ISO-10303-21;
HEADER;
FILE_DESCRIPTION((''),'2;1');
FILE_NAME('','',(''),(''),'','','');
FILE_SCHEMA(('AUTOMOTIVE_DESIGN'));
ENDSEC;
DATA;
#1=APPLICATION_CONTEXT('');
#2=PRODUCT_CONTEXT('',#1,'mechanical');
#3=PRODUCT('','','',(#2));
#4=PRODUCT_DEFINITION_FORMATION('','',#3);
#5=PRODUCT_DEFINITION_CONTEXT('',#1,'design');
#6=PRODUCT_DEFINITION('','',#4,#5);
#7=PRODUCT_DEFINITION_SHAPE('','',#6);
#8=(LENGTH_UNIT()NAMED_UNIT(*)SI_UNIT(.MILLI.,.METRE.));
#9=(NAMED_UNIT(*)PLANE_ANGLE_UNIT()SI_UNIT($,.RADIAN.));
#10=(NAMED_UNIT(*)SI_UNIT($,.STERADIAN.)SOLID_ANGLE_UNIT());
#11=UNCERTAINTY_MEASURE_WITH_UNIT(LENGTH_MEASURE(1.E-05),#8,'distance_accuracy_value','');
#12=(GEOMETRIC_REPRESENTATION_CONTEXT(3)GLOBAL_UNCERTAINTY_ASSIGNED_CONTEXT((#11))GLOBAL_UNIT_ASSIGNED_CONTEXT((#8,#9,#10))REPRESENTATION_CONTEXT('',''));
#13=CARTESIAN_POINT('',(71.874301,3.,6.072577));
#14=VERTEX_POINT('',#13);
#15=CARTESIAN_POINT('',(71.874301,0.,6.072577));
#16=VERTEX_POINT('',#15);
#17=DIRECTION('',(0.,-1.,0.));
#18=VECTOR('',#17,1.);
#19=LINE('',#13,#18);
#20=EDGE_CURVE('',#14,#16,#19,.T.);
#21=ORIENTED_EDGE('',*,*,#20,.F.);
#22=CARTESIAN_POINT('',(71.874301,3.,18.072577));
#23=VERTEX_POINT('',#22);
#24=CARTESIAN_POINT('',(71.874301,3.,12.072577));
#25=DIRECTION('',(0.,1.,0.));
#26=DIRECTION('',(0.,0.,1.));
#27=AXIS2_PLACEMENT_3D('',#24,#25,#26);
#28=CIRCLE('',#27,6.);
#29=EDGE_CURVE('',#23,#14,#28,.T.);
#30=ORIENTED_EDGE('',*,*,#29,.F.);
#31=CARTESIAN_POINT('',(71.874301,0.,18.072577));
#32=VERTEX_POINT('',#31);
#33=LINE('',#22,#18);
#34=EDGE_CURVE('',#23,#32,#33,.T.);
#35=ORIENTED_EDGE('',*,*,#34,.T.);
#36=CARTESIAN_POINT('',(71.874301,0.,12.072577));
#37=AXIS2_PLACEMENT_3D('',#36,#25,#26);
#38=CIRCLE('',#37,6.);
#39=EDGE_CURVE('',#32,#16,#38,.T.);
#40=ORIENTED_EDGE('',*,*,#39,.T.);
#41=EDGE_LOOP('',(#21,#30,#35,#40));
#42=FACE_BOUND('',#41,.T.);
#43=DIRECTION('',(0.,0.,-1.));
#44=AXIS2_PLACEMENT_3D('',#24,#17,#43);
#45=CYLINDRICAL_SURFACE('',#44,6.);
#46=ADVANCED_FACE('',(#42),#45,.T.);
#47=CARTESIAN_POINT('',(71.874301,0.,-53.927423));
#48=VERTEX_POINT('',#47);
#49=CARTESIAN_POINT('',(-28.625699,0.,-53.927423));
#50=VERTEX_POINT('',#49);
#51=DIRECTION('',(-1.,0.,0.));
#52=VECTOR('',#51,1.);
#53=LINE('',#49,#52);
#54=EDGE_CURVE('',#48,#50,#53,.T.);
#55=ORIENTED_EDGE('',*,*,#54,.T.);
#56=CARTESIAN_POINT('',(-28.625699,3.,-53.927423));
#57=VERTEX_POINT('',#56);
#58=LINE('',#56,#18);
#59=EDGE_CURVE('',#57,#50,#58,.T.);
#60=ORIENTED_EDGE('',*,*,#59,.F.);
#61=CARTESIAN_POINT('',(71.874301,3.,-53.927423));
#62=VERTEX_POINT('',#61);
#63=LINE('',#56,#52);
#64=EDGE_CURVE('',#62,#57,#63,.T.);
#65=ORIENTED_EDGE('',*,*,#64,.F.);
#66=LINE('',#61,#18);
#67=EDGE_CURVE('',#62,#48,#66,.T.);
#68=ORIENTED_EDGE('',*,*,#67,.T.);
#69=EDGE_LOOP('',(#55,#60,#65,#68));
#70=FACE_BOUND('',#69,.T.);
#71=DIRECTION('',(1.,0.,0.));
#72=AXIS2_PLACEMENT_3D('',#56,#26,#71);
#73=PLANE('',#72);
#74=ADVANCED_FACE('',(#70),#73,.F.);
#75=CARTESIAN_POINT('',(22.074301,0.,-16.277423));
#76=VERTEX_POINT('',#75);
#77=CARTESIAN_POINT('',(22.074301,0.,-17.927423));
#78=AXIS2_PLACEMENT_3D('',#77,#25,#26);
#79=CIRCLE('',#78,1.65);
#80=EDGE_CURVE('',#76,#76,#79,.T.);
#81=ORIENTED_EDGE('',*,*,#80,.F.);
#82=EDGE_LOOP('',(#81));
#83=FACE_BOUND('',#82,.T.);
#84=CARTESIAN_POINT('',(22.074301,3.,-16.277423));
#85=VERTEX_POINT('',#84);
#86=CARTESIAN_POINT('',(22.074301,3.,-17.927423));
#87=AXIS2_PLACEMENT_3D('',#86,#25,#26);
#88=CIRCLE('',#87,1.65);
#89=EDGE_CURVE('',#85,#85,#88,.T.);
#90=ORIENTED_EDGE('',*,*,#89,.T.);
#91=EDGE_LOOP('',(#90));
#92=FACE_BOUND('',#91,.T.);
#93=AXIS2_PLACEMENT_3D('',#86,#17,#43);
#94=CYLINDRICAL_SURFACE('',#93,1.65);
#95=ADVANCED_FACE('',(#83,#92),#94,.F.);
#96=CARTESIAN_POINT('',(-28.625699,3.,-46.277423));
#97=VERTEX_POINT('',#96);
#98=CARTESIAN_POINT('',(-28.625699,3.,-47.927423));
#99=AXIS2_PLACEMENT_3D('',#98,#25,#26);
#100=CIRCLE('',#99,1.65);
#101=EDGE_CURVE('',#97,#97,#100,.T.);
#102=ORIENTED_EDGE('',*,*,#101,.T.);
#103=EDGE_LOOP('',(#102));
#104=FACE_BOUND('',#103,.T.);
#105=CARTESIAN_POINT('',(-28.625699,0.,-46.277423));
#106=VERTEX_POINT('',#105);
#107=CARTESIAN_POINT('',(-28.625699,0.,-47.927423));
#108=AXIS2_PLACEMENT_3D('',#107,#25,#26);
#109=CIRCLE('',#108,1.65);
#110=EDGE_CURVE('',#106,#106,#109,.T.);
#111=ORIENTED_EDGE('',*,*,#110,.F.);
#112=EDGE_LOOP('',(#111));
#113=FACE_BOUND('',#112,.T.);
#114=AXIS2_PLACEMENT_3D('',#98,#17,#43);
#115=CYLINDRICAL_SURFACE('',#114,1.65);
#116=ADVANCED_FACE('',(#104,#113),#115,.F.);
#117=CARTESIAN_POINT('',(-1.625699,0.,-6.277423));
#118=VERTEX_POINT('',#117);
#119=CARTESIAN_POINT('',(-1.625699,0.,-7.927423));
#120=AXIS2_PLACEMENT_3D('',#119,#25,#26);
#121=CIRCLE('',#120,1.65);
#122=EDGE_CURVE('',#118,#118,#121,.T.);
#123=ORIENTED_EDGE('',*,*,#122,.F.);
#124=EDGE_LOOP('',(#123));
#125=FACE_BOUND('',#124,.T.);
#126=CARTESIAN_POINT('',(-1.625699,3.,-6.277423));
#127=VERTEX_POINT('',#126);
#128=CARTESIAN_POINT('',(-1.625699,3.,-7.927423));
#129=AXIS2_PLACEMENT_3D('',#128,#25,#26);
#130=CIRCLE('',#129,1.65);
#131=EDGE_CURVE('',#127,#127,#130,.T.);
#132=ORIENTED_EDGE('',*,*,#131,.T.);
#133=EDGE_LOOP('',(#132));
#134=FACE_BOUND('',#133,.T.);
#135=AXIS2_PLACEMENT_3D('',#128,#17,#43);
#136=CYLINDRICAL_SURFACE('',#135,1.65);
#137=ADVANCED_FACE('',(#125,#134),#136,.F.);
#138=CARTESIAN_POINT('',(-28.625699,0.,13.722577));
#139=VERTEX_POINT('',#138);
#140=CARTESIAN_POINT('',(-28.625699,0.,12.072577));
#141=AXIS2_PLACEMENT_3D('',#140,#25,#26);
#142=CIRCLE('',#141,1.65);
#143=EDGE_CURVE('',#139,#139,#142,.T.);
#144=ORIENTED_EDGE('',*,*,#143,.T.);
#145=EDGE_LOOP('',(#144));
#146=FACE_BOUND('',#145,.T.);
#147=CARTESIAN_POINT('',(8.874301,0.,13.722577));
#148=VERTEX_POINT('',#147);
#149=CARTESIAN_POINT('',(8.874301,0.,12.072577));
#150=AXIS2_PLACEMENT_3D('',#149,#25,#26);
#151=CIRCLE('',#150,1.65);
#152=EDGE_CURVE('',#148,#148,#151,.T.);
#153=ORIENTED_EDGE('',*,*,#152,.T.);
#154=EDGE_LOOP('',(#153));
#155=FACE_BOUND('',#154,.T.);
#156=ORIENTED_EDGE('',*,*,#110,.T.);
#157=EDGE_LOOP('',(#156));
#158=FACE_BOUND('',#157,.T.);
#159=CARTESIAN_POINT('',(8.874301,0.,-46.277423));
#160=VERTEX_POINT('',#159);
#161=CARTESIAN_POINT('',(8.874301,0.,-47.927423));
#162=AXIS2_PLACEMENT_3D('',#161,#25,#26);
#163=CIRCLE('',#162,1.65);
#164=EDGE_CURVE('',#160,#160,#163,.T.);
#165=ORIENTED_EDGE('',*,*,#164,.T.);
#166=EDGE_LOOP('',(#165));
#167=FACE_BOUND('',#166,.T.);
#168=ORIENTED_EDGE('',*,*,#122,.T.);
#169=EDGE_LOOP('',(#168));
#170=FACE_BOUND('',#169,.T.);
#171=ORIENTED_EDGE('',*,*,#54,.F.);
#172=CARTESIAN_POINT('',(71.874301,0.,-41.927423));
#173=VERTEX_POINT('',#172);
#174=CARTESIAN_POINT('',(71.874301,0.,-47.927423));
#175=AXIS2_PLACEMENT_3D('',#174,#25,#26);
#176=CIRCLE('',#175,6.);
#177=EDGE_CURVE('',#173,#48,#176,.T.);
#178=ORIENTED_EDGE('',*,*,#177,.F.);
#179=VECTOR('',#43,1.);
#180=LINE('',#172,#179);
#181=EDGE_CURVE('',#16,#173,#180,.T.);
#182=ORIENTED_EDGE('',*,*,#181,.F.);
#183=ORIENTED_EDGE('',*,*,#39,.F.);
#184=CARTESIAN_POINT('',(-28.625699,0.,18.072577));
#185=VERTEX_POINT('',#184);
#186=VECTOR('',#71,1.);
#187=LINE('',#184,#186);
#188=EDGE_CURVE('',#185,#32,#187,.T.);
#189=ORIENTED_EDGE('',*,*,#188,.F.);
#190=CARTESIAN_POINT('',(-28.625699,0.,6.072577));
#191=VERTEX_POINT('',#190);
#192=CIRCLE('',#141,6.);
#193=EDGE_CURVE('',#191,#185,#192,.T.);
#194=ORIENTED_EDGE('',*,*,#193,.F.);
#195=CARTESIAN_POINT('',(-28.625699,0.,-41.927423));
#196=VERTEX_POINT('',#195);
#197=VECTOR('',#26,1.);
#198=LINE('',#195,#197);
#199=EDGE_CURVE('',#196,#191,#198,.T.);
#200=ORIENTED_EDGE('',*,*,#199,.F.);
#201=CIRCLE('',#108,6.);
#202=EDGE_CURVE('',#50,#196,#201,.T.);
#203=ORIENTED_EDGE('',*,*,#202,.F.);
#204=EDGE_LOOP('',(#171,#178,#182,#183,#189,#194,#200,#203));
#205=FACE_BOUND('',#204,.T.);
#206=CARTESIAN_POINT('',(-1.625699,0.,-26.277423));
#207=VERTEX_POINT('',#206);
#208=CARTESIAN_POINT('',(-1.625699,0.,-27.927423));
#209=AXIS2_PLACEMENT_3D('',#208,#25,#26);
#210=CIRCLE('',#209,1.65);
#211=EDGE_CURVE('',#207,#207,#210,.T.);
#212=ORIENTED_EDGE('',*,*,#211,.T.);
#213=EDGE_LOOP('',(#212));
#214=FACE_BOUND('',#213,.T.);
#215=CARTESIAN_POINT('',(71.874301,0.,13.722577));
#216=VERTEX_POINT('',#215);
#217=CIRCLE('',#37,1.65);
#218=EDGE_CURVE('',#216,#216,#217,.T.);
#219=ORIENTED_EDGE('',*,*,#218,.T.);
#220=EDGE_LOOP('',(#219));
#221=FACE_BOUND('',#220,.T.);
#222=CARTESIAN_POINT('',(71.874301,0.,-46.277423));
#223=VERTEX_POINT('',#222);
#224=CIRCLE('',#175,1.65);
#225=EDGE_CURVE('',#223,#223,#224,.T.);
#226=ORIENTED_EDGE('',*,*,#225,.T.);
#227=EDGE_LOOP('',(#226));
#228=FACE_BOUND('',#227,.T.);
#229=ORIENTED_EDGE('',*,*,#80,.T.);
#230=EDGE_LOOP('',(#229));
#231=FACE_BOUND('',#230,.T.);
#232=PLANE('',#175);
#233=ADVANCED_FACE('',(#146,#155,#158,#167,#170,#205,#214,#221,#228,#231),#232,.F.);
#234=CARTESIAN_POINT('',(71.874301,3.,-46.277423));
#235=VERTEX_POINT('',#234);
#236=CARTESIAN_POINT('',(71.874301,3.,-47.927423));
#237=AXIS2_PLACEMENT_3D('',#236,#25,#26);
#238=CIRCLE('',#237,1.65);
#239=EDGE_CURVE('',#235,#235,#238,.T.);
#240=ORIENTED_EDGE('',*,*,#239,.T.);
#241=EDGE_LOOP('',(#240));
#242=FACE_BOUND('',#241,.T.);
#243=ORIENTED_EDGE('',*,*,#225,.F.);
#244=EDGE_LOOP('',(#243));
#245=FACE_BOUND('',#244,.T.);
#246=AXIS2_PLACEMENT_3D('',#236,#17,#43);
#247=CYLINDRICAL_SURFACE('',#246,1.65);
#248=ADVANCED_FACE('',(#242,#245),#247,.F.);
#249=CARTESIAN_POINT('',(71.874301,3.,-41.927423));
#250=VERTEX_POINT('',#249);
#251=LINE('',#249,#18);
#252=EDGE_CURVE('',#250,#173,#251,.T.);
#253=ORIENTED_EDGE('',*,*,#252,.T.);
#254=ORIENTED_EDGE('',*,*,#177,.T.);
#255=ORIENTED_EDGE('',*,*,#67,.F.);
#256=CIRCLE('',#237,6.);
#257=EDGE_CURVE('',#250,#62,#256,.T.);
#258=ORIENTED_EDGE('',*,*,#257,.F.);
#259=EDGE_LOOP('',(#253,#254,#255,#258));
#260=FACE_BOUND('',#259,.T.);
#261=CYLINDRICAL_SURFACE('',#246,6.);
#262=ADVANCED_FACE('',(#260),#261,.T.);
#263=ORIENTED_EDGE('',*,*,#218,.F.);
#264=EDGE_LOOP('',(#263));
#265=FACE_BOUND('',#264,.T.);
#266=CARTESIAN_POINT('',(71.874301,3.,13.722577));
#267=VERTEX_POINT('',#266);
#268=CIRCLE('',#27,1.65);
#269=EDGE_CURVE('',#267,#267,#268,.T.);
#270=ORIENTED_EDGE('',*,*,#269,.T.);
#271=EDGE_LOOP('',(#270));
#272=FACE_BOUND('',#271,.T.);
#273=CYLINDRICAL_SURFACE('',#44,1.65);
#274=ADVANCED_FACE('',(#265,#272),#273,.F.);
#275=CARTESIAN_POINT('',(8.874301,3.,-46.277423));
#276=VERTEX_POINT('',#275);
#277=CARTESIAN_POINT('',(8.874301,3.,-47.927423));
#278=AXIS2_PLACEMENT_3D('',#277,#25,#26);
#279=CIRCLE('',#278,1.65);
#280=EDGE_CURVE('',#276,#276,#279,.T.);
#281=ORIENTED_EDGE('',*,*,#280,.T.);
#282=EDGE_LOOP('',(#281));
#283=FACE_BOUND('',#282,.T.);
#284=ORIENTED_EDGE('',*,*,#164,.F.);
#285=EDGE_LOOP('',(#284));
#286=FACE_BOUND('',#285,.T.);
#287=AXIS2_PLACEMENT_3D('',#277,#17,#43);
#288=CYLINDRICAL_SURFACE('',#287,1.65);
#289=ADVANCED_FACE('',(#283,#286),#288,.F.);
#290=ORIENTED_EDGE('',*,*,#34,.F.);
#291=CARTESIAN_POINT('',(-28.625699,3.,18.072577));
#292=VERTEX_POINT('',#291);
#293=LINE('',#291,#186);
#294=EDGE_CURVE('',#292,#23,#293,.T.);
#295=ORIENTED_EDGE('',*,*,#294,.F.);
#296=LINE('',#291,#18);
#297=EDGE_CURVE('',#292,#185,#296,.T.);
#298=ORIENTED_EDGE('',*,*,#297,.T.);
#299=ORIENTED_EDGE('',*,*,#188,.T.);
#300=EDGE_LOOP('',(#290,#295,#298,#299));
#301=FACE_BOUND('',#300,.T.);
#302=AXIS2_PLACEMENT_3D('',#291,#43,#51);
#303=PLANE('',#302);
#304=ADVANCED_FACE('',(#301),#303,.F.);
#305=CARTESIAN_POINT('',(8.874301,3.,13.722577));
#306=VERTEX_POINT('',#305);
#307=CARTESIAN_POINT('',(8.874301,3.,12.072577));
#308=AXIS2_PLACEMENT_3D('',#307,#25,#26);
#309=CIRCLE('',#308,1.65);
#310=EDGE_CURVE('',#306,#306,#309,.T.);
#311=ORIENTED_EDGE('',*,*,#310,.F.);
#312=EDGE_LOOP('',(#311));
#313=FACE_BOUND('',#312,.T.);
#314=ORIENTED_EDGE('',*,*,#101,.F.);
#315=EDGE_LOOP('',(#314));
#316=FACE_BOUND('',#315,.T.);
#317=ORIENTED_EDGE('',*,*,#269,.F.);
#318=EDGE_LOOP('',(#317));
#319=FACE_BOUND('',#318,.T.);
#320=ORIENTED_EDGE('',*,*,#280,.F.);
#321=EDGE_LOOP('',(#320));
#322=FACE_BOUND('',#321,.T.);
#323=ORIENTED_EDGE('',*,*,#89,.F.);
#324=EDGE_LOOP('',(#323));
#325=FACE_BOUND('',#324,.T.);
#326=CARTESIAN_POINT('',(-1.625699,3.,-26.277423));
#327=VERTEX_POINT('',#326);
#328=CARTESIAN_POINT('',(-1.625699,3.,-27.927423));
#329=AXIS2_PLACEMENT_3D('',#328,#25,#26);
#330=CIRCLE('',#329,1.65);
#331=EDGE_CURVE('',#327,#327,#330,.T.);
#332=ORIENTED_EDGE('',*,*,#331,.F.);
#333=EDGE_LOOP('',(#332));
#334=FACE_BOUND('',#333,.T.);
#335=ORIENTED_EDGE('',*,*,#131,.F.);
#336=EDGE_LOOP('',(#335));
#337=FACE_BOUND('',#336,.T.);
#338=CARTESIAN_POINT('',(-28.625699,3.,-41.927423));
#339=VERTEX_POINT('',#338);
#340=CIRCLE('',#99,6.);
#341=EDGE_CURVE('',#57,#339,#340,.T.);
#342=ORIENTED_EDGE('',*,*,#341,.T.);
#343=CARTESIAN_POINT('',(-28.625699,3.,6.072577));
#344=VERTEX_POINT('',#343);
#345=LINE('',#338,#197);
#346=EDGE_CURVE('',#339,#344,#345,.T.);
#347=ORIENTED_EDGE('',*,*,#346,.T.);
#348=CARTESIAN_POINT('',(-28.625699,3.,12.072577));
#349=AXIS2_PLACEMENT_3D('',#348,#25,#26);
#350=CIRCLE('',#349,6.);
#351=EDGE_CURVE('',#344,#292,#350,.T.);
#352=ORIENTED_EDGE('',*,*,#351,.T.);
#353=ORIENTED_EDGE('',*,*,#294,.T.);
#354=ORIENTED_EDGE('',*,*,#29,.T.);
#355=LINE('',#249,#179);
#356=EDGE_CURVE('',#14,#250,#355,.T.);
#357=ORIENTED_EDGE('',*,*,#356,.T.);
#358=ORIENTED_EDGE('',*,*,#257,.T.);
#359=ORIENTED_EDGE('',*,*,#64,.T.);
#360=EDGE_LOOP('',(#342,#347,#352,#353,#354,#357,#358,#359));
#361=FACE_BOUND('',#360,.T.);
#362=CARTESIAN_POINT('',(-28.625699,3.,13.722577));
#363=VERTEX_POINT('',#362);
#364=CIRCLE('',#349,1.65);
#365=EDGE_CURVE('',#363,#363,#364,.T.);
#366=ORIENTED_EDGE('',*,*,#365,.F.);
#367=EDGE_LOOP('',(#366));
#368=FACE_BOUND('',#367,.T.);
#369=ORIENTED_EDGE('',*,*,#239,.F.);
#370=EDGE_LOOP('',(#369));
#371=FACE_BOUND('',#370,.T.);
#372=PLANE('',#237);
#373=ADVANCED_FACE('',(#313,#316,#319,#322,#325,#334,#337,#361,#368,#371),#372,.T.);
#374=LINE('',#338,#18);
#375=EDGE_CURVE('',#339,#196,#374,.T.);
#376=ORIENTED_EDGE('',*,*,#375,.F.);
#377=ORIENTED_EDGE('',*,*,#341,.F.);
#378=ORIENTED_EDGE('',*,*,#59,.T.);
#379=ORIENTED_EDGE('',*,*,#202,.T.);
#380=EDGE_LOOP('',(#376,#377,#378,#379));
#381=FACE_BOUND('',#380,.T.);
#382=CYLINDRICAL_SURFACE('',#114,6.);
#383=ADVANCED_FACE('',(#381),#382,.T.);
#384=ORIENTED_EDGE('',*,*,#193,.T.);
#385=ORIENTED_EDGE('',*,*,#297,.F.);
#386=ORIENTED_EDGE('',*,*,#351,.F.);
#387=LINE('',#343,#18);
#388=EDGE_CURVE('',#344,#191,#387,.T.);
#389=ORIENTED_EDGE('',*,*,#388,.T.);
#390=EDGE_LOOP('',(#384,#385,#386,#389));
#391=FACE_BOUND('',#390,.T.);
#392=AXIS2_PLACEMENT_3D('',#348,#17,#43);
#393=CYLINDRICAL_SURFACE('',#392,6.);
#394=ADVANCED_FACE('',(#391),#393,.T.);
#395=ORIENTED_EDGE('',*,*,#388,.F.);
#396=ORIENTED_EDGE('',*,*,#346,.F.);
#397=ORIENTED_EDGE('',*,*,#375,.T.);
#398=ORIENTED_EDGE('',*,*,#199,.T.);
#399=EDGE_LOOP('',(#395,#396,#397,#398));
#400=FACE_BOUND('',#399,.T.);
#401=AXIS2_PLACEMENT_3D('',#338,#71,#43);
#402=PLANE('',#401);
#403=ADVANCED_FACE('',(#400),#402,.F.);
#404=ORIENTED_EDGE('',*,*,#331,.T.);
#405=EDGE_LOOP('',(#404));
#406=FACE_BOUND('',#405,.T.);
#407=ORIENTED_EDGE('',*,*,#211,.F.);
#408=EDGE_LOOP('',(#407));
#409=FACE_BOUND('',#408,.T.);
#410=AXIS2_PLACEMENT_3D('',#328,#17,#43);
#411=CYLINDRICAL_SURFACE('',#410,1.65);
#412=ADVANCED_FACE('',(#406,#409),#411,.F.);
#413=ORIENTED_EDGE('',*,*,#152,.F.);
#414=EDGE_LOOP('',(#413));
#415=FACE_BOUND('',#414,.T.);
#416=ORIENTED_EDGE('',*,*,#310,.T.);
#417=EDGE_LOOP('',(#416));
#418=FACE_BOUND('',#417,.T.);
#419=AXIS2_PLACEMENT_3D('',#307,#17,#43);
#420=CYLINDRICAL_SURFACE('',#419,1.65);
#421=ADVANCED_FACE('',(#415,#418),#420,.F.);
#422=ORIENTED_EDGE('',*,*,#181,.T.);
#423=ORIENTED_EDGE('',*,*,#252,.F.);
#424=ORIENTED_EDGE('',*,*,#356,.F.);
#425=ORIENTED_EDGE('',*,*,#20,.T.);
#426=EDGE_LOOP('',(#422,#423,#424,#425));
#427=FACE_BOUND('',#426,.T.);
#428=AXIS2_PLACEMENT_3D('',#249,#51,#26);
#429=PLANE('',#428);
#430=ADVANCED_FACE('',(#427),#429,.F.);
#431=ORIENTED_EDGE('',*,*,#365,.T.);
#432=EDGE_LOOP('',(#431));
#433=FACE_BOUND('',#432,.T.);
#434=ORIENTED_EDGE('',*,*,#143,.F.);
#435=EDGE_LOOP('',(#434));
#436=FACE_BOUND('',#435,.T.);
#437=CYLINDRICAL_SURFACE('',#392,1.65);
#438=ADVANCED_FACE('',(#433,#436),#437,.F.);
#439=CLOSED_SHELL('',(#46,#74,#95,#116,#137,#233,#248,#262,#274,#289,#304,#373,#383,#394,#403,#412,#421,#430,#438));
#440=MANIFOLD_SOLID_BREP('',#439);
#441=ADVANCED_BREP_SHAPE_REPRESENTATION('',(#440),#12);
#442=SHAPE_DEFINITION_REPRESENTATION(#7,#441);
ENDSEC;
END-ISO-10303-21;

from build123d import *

# Parameters (mm, degrees)
SKETCH_1_R      = 1.65
EXTRUDE_1_DEPTH = 3


with BuildPart() as part:
    # 草图1 → 凸台-拉伸1 (new body)
    with BuildSketch(Plane(origin=(0, 0, 0), x_dir=(1, 0, 0), z_dir=(0, 1, 0))):
        with BuildLine():
            Line((71.874301032, 41.927422609), (71.874301032, -6.072577391))
            ThreePointArc((71.874301032, -6.072577391), (77.874301032, -12.072577391), (71.874301032, -18.072577391))
            Line((71.874301032, -18.072577391), (-28.625698968, -18.072577391))
            ThreePointArc((-28.625698968, -18.072577391), (-34.625698968, -12.072577391), (-28.625698968, -6.072577391))
            Line((-28.625698968, -6.072577391), (-28.625698968, 41.927422609))
            ThreePointArc((-28.625698968, 41.927422609), (-34.625698968, 47.927422609), (-28.625698968, 53.927422609))
            Line((-28.625698968, 53.927422609), (71.874301032, 53.927422609))
            ThreePointArc((71.874301032, 53.927422609), (77.874301032, 47.927422609), (71.874301032, 41.927422609))
        make_face()
        with Locations(Location((-28.625698968, 47.927422609, 0), (0, 0, 270))):
            Circle(SKETCH_1_R, mode=Mode.SUBTRACT)
        with Locations(Location((8.874301032, 47.927422609, 0), (0, 0, 270))):
            Circle(SKETCH_1_R, mode=Mode.SUBTRACT)
        with Locations(Location((71.874301032, 47.927422609, 0), (0, 0, 270))):
            Circle(SKETCH_1_R, mode=Mode.SUBTRACT)
        with Locations(Location((-28.625698968, -12.072577391, 0), (0, 0, 270))):
            Circle(SKETCH_1_R, mode=Mode.SUBTRACT)
        with Locations(Location((8.874301032, -12.072577391, 0), (0, 0, 270))):
            Circle(SKETCH_1_R, mode=Mode.SUBTRACT)
        with Locations(Location((71.874301032, -12.072577391, 0), (0, 0, 270))):
            Circle(SKETCH_1_R, mode=Mode.SUBTRACT)
        with Locations(Location((-1.625698968, 27.927422609, 0), (0, 0, 270))):
            Circle(SKETCH_1_R, mode=Mode.SUBTRACT)
        with Locations(Location((-1.625698968, 7.927422609, 0), (0, 0, 270))):
            Circle(SKETCH_1_R, mode=Mode.SUBTRACT)
        with Locations(Location((22.074301032, 17.927422609, 0), (0, 0, 270))):
            Circle(SKETCH_1_R, mode=Mode.SUBTRACT)
    extrude(amount=EXTRUDE_1_DEPTH)


solid = part.part
